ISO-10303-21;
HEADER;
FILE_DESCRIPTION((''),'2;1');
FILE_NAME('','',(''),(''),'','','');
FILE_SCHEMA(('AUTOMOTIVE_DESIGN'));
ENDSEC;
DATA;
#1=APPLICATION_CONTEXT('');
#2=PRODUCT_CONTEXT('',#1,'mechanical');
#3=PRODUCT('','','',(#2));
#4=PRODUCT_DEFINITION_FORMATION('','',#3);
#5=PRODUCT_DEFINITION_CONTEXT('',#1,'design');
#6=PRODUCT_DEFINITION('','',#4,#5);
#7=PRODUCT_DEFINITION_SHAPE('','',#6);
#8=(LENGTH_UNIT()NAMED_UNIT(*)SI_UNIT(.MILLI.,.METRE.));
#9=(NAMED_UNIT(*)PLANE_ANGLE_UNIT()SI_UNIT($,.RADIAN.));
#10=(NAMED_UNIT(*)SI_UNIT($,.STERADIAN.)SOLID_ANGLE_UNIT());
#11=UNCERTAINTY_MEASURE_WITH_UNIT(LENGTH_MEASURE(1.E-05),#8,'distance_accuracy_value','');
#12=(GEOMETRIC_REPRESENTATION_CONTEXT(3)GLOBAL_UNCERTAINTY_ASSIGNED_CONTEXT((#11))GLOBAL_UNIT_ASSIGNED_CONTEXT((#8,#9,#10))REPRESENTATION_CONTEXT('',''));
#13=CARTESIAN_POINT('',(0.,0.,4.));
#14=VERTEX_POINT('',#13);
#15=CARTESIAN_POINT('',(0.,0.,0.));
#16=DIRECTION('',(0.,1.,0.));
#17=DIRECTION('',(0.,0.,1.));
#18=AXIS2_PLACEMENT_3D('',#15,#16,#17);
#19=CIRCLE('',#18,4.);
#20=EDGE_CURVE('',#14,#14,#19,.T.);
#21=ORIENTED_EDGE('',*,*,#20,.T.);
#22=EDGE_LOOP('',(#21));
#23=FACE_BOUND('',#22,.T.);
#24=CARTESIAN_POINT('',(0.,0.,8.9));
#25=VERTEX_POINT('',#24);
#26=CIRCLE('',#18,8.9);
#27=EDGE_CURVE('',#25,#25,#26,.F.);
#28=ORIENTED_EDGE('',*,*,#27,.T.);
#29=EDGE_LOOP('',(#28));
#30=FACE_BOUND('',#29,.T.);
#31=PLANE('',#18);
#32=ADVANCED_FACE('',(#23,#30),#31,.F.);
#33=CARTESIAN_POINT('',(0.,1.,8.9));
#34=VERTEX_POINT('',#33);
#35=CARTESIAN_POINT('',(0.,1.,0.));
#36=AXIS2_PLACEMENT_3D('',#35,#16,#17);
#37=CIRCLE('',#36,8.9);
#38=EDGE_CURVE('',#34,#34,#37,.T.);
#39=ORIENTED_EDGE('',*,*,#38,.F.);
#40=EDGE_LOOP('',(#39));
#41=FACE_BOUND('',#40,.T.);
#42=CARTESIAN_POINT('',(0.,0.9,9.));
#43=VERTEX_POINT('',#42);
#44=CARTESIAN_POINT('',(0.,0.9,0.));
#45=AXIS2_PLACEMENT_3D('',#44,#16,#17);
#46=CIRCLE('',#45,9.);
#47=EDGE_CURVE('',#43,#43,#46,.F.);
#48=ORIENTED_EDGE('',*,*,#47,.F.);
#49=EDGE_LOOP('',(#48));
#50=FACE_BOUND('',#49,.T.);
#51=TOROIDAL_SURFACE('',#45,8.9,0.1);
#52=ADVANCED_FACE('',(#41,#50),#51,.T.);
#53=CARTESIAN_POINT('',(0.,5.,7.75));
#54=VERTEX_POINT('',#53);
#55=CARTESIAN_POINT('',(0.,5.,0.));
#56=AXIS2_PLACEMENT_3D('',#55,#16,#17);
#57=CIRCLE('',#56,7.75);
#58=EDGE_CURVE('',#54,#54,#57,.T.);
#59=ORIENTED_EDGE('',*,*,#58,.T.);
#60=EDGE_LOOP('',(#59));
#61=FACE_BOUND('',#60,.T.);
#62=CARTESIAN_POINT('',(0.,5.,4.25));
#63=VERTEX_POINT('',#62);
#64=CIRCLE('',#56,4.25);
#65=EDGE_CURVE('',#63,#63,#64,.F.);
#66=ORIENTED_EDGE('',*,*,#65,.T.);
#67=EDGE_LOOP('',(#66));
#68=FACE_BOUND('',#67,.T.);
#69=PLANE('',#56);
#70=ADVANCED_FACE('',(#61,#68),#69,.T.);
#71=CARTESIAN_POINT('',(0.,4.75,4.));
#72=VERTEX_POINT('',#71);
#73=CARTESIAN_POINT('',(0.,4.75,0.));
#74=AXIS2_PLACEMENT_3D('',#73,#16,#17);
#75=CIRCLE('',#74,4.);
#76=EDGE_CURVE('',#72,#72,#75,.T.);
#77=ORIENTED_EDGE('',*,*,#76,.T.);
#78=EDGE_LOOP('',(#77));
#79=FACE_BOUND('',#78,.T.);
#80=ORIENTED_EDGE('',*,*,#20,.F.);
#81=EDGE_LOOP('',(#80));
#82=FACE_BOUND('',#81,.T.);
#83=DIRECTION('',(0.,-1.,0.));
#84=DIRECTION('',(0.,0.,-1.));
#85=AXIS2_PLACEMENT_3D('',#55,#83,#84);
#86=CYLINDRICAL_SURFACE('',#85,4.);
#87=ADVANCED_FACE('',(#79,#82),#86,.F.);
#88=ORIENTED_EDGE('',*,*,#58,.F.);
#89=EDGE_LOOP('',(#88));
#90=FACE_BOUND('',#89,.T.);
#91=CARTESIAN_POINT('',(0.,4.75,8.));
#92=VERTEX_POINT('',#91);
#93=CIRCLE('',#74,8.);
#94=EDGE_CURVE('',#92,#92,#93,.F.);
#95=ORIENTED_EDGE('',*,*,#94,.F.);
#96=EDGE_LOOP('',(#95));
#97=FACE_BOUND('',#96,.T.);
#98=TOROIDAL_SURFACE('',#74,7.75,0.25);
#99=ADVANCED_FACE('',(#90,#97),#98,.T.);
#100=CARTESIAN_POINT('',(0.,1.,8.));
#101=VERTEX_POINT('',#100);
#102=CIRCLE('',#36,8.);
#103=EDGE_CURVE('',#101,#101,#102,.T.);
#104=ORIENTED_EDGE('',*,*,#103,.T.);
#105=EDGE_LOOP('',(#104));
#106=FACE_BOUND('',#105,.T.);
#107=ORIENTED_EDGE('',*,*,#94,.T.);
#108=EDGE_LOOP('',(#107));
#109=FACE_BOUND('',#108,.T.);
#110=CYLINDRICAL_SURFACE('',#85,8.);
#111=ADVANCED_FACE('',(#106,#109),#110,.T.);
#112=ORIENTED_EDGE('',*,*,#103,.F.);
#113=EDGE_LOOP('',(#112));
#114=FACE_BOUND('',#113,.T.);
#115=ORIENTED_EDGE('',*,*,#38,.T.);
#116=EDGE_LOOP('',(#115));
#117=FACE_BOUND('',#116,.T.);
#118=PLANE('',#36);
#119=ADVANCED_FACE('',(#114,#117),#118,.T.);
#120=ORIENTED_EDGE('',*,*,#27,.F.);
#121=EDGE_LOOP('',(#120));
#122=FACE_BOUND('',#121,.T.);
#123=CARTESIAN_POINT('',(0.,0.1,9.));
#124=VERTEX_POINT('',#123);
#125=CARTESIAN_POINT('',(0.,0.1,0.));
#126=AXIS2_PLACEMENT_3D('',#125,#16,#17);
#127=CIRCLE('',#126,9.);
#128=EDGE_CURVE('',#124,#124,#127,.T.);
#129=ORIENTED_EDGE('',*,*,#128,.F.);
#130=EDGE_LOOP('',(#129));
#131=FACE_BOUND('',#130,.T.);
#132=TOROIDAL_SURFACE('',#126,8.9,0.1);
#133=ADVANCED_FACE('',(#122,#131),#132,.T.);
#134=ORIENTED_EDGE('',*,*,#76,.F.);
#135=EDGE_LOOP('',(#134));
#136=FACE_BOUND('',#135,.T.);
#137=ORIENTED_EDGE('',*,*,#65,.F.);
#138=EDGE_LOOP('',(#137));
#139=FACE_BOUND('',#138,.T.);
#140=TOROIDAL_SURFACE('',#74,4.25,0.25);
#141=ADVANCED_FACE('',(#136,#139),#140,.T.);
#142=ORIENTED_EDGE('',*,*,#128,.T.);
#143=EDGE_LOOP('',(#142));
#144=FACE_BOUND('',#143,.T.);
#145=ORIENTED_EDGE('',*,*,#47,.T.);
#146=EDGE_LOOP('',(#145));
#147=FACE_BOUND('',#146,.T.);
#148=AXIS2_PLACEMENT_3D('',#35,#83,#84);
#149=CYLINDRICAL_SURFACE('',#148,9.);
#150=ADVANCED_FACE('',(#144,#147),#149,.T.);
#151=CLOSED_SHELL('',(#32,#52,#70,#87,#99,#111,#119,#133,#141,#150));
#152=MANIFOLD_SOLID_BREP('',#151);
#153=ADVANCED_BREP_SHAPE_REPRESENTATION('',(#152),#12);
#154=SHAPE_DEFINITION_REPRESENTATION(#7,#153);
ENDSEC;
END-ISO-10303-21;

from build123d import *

# Parameters (mm, degrees)
CROQUIS7_R              = 8
SALIENTE_EXTRUIR3_DEPTH = 5
CROQUIS4_R              = 9
SALIENTE_EXTRUIR4_DEPTH = 1
CROQUIS10_R             = 4
CORTAR_EXTRUIR2_DEPTH   = 5
REDONDEO1_R             = 0.25
REDONDEO2_R             = 0.1


with BuildPart() as part:
    # Croquis7 → Saliente-Extruir3 (new body)
    with BuildSketch(Plane(origin=(0, 0, 0), x_dir=(1, 0, 0), z_dir=(0, 1, 0))):
        with Locations(Location((0, 0, 0), (0, 0, 270))):
            Circle(CROQUIS7_R)
    extrude(amount=SALIENTE_EXTRUIR3_DEPTH)

    # Croquis4 → Saliente-Extruir4 (add)
    with BuildSketch(Plane(origin=(0, 0, 0), x_dir=(1, 0, 0), z_dir=(0, 1, 0))):
        with Locations(Location((0, 0, 0), (0, 0, 270))):
            Circle(CROQUIS4_R)
    extrude(amount=SALIENTE_EXTRUIR4_DEPTH)

    # Croquis10 → Cortar-Extruir2 (cut)
    with BuildSketch(Plane(origin=(0, 0, 0), x_dir=(1, 0, 0), z_dir=(0, 1, 0))):
        with Locations(Location((0, 0, 0), (0, 0, 270))):
            Circle(CROQUIS10_R)
    extrude(amount=CORTAR_EXTRUIR2_DEPTH, mode=Mode.SUBTRACT)

    # Redondeo1
    redondeo1_edges = [part.edges().sort_by_distance(p)[0] for p in [
        (0, 5, -4),
        (0, 5, -8),
    ]]
    fillet(redondeo1_edges, radius=REDONDEO1_R)

    # Redondeo2
    redondeo2_edges = [part.edges().sort_by_distance(p)[0] for p in [
        (0, 0, -9),
        (0, 1, -9),
    ]]
    fillet(redondeo2_edges, radius=REDONDEO2_R)


solid = part.part
